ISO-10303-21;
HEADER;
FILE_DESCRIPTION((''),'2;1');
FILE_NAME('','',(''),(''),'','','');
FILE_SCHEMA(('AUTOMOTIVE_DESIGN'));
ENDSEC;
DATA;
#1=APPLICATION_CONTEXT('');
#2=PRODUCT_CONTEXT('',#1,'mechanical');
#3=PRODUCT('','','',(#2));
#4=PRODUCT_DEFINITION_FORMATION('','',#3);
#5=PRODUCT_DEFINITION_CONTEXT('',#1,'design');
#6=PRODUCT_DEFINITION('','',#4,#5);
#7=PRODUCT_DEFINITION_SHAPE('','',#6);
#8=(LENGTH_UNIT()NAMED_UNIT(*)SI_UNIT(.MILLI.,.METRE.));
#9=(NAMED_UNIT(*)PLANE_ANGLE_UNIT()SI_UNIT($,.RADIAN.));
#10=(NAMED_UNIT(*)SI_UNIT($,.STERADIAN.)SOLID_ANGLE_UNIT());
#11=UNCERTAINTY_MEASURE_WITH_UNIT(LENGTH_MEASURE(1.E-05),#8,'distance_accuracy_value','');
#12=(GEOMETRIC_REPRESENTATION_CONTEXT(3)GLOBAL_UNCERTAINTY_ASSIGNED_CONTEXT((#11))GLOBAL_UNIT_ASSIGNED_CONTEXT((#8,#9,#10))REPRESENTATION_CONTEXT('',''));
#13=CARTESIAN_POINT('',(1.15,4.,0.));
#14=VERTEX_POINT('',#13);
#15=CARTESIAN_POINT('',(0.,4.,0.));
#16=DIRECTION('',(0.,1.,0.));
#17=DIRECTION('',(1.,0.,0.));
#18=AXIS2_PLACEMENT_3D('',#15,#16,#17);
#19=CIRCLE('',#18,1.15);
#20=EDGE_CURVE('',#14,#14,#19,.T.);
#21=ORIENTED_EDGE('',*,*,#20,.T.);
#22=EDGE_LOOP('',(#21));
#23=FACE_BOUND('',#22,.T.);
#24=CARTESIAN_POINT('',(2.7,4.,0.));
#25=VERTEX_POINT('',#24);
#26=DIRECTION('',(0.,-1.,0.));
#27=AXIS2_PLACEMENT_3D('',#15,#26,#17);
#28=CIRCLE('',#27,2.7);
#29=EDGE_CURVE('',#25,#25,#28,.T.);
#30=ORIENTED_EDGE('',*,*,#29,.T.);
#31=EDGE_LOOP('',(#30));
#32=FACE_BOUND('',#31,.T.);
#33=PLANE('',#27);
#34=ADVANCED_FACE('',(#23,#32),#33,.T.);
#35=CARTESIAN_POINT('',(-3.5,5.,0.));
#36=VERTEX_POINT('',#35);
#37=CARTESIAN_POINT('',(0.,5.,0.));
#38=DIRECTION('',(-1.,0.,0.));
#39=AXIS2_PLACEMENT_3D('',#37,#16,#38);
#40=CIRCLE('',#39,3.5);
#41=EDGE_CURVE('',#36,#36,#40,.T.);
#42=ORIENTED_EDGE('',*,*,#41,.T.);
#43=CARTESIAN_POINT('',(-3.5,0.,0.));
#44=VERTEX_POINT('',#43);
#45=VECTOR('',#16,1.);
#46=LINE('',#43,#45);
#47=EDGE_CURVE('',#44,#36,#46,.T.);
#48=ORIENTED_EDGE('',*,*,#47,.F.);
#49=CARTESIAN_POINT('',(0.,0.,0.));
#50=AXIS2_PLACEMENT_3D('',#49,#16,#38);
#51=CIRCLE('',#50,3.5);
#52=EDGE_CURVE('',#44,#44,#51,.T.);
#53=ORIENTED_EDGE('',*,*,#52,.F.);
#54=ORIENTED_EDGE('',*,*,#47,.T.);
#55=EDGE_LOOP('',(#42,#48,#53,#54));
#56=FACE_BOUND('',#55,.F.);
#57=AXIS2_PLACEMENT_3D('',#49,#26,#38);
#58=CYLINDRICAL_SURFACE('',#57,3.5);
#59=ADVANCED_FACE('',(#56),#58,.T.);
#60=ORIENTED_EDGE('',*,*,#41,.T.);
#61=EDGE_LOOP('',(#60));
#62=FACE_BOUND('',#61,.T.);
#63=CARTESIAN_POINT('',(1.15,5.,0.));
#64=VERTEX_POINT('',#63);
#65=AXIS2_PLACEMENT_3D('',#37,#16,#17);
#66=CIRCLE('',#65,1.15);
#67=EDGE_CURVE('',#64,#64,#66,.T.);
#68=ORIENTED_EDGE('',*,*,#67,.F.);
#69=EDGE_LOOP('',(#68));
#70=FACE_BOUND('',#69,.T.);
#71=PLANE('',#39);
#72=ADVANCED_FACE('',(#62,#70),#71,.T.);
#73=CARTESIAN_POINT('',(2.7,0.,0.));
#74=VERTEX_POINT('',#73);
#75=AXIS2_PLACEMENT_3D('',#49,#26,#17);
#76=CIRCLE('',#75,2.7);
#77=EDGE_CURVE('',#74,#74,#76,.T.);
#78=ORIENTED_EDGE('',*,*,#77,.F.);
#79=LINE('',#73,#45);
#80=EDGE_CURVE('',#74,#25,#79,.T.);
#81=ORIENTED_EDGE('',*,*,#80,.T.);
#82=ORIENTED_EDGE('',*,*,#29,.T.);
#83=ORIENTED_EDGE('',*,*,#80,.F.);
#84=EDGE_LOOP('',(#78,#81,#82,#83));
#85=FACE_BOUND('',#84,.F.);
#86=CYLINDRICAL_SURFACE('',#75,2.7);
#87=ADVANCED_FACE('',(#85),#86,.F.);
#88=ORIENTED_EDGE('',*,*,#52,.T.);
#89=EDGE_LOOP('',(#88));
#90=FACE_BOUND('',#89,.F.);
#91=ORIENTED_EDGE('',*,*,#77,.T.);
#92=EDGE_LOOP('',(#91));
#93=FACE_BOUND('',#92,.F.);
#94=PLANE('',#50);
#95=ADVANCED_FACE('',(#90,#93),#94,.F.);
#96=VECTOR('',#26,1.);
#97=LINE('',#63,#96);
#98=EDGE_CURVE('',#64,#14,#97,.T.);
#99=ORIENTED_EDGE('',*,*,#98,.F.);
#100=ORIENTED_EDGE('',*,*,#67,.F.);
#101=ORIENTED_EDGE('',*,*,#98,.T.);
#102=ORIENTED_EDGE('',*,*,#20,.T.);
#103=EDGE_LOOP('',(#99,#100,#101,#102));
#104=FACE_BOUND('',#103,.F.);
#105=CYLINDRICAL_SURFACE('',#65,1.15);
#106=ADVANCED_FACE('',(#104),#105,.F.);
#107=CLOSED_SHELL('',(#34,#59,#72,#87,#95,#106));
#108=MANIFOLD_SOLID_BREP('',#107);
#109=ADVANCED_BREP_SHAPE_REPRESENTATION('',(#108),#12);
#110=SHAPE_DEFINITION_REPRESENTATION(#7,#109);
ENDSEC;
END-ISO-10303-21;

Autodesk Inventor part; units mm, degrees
ref_plane "YZ Plane" through (0, 0, 0) normal (1, 0, 0) x (0, 1, 0)
ref_plane "XZ Plane" through (0, 0, 0) normal (0, 1, 0) x (-1, 0, 0)
ref_plane "XY Plane" through (0, 0, 0) normal (0, 0, 1) x (1, 0, 0)
sketch "Sketch1" plane through (0, 0, 0) normal (0, 1, 0) x (-1, 0, 0)
  circle A0 centre (0, 0) radius 3.5
  dimension "d0" = 7
extrude "Extrusion1" add sketch "Sketch1" along normal blind 5
sketch "Sketch3" plane through (0, 0, 0) normal (0, -1, 0) x (1, 0, 0)
  circle A0 centre (0, 0) radius 2.7
  circle A1 centre (0, 0) radius 3.5 projected
  dimension "d6" = 0.8
extrude "Extrusion3" cut sketch "Sketch3" against normal blind 4 contours A0
sketch "Sketch4" plane through (0, 5, 0) normal (0, 1, 0) x (1, 0, 0)
  circle A0 centre (0, 0) radius 2.7 projected
  circle A1 centre (0, 0) radius 1.15
  dimension "d9" = 2.3
extrude "Extrusion4" cut sketch "Sketch4" against normal through all contours A1
properties part number "shaft endcap"
